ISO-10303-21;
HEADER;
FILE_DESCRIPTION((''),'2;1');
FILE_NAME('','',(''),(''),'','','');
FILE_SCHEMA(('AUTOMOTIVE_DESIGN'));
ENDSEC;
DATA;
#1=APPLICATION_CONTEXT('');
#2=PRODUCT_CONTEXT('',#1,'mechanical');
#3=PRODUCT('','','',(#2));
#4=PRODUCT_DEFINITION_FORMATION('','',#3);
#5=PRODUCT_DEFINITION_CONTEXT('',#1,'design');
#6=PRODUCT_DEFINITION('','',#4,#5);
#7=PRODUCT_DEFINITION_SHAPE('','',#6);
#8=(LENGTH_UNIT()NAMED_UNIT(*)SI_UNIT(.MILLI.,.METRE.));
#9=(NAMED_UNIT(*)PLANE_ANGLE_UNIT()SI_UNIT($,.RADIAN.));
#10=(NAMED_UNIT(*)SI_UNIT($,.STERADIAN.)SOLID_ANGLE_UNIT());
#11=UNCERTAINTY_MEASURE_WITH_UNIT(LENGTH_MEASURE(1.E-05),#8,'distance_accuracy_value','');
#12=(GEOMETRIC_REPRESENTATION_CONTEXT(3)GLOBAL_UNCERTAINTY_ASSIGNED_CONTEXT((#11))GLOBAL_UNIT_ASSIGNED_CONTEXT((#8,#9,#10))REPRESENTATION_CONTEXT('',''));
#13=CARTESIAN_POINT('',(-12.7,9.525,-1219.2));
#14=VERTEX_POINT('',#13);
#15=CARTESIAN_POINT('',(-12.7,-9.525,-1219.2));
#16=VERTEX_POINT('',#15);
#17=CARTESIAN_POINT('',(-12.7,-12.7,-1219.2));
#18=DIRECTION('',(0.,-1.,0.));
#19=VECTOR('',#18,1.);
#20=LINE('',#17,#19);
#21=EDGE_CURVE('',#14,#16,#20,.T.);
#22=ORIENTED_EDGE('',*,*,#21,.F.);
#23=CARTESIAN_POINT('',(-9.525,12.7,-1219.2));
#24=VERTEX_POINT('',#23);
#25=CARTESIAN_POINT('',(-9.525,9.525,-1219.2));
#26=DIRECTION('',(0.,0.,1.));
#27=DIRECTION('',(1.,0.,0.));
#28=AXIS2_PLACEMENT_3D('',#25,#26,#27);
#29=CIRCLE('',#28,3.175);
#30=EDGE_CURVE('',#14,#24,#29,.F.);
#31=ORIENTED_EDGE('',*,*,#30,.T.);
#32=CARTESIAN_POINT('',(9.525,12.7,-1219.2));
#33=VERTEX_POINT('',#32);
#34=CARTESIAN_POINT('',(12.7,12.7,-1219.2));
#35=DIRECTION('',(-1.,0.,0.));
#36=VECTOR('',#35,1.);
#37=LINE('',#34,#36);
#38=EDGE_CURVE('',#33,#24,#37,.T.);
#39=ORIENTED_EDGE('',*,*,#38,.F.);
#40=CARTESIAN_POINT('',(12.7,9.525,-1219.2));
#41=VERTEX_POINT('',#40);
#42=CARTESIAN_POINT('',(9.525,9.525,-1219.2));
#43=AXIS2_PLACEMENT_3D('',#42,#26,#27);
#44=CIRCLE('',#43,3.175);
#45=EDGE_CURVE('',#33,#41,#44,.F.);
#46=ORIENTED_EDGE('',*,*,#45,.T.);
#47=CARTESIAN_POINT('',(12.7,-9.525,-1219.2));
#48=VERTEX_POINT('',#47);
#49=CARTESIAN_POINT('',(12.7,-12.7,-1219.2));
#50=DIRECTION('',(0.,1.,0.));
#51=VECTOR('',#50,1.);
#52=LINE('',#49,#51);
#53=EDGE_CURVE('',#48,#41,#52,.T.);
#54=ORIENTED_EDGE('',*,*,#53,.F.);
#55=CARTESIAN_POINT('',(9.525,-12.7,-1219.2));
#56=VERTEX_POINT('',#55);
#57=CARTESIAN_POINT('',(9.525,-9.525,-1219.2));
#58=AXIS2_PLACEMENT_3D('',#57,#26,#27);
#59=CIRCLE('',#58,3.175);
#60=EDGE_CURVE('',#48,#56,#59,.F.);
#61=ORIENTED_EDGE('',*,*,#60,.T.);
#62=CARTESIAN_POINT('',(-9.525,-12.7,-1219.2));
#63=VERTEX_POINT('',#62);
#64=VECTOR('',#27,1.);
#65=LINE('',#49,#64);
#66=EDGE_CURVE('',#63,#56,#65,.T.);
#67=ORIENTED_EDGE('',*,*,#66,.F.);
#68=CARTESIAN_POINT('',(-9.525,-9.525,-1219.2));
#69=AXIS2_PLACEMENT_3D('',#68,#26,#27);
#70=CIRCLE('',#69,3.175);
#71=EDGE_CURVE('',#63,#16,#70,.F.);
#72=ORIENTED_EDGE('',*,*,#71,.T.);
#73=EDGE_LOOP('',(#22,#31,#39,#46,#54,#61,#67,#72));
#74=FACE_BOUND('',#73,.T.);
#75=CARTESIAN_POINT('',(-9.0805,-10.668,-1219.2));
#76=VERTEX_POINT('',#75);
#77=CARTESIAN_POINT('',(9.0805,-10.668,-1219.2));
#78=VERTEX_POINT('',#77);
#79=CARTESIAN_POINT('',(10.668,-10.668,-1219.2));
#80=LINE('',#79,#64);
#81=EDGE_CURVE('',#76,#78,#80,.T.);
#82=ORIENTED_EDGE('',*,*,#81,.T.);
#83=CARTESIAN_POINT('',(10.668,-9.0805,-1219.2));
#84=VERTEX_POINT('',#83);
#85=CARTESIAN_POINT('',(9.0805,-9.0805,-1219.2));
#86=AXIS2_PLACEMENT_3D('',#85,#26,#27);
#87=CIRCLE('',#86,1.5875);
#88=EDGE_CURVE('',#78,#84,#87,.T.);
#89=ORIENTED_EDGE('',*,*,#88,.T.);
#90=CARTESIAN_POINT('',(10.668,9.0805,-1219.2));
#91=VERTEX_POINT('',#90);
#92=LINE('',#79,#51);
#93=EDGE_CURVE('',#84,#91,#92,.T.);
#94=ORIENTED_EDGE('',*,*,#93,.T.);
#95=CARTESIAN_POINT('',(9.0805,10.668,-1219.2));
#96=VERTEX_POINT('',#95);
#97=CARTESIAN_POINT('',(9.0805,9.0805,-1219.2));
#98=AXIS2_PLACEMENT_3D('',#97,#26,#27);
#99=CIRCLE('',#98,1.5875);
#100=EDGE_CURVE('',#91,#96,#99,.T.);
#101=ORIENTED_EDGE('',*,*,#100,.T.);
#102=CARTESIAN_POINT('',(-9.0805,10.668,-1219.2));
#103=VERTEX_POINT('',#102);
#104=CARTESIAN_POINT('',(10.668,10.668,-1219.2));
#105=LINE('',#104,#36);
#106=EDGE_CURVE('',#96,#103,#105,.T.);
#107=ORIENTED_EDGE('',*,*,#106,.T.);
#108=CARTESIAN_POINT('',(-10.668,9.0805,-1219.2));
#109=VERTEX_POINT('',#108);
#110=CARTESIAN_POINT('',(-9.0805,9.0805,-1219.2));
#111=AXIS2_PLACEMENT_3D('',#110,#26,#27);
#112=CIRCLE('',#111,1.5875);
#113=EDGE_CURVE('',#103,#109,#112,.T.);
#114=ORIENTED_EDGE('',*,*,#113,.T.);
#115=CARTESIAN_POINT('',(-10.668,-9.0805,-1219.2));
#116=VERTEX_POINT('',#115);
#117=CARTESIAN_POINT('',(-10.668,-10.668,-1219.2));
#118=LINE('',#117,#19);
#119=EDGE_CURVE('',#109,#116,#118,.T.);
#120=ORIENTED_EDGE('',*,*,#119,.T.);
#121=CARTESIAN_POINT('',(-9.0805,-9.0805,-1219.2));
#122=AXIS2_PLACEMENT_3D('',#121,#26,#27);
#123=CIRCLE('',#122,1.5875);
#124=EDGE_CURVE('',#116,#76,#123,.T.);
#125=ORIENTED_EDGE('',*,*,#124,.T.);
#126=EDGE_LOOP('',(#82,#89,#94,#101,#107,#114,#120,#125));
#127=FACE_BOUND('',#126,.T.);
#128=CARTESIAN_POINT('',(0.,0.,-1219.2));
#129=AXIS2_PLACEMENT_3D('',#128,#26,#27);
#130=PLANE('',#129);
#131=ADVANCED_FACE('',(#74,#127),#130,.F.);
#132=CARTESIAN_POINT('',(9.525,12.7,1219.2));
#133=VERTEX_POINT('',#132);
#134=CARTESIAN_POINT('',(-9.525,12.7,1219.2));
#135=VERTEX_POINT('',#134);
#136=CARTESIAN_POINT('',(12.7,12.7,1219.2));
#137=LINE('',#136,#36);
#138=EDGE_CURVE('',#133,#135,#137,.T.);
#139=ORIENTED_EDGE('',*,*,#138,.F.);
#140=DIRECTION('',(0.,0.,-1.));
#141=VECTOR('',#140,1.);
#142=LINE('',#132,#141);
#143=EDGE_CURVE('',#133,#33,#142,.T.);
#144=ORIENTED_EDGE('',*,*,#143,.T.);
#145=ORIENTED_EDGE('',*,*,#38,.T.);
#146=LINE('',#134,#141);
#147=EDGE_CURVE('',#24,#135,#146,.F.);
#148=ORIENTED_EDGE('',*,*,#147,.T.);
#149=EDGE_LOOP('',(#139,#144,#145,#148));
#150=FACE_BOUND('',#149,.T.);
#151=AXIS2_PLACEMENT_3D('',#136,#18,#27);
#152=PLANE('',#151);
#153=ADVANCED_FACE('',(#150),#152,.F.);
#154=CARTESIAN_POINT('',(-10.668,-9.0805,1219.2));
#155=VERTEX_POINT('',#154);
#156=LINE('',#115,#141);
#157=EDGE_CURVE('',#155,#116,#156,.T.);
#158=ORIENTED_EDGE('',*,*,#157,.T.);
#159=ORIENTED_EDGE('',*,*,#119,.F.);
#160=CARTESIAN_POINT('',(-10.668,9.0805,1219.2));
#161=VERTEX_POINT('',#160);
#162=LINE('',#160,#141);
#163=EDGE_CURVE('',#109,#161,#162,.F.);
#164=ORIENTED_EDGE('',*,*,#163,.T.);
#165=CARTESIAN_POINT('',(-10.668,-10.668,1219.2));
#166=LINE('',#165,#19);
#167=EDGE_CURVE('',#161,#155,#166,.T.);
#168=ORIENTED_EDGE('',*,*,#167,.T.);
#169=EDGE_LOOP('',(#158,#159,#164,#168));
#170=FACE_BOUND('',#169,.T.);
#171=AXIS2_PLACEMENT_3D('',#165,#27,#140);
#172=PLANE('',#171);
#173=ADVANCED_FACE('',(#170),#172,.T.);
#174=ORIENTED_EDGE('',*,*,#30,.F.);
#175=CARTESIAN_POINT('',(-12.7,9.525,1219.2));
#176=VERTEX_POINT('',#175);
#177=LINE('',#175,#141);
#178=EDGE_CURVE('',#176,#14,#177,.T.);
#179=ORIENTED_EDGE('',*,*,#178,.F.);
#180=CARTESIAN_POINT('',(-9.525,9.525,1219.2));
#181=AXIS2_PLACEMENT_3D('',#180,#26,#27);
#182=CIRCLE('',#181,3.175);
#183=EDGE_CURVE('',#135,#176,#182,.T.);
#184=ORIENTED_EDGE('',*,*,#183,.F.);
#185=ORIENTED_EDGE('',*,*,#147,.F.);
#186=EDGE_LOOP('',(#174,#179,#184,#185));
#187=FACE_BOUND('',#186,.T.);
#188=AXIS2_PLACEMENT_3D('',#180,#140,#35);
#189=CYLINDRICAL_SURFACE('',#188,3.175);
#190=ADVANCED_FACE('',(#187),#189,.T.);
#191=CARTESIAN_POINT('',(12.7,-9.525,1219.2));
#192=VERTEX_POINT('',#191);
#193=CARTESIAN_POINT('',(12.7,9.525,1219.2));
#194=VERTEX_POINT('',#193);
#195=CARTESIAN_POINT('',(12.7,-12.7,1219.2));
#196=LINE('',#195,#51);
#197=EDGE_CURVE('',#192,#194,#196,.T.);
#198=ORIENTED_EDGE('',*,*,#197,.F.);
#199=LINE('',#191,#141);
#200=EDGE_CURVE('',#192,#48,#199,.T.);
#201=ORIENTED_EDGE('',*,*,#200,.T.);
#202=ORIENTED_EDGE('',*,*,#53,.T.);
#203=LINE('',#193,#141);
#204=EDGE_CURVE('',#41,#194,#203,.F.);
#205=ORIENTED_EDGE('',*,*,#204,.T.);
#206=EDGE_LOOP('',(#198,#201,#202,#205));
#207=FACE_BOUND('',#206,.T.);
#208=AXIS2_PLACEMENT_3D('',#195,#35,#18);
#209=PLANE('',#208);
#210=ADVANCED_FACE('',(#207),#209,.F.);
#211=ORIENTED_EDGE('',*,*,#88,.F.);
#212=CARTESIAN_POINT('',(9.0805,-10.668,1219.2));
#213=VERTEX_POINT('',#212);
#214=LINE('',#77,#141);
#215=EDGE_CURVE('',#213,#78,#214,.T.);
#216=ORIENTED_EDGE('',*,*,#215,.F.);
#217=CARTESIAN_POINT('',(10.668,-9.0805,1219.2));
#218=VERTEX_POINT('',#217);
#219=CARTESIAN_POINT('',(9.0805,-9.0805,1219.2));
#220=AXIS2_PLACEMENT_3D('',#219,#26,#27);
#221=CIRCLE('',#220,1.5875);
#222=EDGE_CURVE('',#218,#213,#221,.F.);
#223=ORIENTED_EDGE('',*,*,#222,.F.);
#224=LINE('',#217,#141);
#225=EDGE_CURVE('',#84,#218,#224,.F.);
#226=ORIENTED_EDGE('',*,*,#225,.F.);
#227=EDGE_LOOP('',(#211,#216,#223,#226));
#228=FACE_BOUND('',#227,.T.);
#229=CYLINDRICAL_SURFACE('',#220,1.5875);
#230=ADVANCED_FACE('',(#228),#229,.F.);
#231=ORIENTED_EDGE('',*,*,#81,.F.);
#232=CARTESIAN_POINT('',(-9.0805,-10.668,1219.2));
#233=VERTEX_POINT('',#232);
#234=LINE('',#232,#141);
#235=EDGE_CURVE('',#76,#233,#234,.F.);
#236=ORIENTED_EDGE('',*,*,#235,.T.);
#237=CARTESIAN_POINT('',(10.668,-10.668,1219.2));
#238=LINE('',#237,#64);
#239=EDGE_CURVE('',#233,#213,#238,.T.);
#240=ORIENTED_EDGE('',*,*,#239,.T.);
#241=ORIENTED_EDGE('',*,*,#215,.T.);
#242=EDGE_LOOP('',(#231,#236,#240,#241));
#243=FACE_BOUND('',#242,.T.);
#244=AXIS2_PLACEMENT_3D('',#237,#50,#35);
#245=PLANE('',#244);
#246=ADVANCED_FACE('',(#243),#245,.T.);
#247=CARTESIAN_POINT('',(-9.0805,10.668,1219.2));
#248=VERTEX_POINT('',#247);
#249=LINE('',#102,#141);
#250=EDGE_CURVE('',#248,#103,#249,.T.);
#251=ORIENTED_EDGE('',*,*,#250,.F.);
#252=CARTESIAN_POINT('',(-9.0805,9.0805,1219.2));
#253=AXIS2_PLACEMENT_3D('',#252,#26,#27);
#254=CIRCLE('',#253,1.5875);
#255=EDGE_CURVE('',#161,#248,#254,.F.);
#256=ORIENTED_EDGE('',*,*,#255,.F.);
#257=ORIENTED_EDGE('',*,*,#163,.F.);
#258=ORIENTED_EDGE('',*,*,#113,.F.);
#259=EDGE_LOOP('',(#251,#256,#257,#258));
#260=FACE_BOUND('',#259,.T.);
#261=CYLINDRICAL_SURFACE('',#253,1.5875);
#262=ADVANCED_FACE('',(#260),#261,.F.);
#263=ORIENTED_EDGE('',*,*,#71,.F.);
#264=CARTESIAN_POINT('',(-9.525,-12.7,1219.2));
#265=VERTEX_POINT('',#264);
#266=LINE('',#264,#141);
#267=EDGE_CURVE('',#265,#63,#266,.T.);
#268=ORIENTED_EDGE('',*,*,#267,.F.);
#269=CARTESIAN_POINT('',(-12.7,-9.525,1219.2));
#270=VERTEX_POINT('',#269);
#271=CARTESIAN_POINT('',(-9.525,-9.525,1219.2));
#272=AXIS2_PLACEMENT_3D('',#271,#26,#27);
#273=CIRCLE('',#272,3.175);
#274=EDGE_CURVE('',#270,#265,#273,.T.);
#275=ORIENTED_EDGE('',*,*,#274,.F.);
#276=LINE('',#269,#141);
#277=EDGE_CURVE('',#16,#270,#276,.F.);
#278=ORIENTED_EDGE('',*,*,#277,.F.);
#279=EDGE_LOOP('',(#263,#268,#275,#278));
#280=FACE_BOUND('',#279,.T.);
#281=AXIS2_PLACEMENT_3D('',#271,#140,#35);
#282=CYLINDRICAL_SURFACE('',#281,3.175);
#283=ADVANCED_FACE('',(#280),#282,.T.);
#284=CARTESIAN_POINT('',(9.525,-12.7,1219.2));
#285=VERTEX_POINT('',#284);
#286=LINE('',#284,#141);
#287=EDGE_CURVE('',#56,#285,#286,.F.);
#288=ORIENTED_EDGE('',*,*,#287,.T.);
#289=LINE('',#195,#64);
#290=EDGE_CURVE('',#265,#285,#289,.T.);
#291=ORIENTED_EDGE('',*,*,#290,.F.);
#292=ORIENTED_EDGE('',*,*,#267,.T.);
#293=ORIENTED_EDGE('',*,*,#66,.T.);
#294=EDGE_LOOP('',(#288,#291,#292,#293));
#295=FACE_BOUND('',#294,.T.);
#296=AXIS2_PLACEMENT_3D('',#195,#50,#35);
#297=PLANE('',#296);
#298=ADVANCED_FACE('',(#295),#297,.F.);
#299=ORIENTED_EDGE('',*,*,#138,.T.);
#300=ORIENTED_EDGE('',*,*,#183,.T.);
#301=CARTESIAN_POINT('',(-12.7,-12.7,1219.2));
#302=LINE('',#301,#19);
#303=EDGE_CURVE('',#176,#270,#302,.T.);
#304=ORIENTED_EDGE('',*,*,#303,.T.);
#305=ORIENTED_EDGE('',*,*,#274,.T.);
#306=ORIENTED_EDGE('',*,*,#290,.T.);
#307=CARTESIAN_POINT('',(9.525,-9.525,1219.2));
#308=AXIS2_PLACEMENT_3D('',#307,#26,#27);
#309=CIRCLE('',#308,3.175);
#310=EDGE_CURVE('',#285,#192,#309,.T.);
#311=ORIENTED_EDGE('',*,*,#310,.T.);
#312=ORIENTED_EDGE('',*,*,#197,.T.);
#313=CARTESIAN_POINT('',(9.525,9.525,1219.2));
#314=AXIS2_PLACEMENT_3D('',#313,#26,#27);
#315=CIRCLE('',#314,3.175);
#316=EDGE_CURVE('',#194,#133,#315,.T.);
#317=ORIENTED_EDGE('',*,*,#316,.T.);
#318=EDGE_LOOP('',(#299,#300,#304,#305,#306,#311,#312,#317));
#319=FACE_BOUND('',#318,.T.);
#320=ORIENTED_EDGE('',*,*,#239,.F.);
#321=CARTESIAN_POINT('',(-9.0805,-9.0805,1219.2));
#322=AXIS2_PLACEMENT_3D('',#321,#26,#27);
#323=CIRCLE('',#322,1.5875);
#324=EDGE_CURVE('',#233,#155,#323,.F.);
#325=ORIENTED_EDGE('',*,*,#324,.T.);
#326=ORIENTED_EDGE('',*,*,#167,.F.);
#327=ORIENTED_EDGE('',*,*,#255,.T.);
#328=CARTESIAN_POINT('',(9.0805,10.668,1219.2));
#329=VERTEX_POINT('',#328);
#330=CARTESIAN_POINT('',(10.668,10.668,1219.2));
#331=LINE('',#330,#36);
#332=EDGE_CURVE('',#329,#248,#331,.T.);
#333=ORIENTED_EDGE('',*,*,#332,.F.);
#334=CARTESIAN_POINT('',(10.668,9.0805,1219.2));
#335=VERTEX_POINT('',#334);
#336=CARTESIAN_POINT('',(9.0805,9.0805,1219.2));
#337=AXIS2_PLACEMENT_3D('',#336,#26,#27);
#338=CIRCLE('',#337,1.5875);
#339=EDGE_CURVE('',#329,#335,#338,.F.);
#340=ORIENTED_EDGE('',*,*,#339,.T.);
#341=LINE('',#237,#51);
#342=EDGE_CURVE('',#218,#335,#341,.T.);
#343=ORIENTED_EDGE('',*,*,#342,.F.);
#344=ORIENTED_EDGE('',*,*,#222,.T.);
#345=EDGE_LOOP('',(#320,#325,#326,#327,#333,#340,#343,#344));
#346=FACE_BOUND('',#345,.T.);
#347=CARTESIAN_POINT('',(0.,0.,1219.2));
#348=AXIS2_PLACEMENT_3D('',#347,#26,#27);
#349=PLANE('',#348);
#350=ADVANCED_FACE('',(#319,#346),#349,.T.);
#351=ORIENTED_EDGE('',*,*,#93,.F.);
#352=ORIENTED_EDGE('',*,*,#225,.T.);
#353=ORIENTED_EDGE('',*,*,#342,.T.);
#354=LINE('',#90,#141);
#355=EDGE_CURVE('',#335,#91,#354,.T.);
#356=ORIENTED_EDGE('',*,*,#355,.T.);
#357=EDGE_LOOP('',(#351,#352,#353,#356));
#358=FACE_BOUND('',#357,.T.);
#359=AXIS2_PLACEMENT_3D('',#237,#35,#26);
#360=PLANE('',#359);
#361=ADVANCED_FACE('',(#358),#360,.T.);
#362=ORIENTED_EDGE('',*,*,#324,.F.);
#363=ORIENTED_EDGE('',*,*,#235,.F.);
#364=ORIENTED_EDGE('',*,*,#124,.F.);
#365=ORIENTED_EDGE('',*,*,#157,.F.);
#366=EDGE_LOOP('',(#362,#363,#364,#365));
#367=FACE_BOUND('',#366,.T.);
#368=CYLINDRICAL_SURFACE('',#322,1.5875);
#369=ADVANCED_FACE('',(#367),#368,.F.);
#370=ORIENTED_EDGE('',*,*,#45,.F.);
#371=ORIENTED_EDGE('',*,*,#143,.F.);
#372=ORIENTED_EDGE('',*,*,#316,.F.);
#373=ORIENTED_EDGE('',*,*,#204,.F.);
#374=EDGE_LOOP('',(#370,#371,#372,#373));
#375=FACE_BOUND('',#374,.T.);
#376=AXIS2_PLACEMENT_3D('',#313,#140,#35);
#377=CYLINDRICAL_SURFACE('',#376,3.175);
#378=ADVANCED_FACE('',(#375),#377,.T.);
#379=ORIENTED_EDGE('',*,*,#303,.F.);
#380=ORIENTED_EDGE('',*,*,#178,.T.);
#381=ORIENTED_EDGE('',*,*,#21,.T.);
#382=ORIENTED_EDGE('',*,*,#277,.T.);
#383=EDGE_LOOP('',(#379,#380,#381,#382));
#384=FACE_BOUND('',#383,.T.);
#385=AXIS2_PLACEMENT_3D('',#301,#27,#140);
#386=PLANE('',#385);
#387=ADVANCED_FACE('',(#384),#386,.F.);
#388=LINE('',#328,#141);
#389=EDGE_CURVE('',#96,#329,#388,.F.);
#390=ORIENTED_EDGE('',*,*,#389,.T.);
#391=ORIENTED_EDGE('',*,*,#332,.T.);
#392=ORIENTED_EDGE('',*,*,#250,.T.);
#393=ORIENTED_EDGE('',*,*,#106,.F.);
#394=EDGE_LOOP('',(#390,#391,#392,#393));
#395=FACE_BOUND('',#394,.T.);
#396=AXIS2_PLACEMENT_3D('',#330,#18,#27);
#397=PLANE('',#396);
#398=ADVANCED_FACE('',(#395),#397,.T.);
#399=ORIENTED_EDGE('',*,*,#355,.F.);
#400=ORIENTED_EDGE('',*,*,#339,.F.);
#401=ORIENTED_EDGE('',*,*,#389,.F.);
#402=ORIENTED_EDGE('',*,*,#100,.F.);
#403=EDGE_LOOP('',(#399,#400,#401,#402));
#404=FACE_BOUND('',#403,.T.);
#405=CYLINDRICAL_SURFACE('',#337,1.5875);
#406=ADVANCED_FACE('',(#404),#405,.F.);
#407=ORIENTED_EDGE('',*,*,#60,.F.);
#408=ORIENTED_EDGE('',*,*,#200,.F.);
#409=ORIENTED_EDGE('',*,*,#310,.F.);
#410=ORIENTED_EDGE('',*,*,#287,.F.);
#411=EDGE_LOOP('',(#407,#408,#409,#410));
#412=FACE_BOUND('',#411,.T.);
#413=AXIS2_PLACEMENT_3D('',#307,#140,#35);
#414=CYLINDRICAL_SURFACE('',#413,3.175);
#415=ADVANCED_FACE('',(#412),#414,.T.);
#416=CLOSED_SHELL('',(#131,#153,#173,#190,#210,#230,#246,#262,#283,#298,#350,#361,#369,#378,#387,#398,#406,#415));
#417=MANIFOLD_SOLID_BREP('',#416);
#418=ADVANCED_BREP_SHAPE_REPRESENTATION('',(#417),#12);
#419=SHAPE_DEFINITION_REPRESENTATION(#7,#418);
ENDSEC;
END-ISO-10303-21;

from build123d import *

# Parameters (mm, degrees)
SKETCH3_W                = 25.4
SKETCH3_H                = 25.4
SKETCH3_W_2              = 21.336
SKETCH3_H_2              = 21.336
BOSS_EXTRUDE1_DEPTH      = 1219.2
BOSS_EXTRUDE1_DEPTH_BACK = 1219.2
FILLET1_R                = 3.175
FILLET2_R                = 1.5875


with BuildPart() as part:
    # Sketch3 → Boss-Extrude1 (new body, two sides)
    with BuildSketch(Plane.XY) as boss_extrude1_sk:
        Rectangle(SKETCH3_W, SKETCH3_H)
        Rectangle(SKETCH3_W_2, SKETCH3_H_2, mode=Mode.SUBTRACT)
    extrude(amount=BOSS_EXTRUDE1_DEPTH)
    extrude(boss_extrude1_sk.sketch, amount=-BOSS_EXTRUDE1_DEPTH_BACK)

    # Fillet1
    fillet1_edges = [part.edges().sort_by_distance(p)[0] for p in [
        (12.7, -12.7, 0),
        (-12.7, -12.7, 0),
        (-12.7, 12.7, 0),
        (12.7, 12.7, 0),
    ]]
    fillet(fillet1_edges, radius=FILLET1_R)

    # Fillet2
    fillet2_edges = [part.edges().sort_by_distance(p)[0] for p in [
        (10.668, -10.668, 0),
        (10.668, 10.668, 0),
        (-10.668, 10.668, 0),
        (-10.668, -10.668, 0),
    ]]
    fillet(fillet2_edges, radius=FILLET2_R)


solid = part.part
